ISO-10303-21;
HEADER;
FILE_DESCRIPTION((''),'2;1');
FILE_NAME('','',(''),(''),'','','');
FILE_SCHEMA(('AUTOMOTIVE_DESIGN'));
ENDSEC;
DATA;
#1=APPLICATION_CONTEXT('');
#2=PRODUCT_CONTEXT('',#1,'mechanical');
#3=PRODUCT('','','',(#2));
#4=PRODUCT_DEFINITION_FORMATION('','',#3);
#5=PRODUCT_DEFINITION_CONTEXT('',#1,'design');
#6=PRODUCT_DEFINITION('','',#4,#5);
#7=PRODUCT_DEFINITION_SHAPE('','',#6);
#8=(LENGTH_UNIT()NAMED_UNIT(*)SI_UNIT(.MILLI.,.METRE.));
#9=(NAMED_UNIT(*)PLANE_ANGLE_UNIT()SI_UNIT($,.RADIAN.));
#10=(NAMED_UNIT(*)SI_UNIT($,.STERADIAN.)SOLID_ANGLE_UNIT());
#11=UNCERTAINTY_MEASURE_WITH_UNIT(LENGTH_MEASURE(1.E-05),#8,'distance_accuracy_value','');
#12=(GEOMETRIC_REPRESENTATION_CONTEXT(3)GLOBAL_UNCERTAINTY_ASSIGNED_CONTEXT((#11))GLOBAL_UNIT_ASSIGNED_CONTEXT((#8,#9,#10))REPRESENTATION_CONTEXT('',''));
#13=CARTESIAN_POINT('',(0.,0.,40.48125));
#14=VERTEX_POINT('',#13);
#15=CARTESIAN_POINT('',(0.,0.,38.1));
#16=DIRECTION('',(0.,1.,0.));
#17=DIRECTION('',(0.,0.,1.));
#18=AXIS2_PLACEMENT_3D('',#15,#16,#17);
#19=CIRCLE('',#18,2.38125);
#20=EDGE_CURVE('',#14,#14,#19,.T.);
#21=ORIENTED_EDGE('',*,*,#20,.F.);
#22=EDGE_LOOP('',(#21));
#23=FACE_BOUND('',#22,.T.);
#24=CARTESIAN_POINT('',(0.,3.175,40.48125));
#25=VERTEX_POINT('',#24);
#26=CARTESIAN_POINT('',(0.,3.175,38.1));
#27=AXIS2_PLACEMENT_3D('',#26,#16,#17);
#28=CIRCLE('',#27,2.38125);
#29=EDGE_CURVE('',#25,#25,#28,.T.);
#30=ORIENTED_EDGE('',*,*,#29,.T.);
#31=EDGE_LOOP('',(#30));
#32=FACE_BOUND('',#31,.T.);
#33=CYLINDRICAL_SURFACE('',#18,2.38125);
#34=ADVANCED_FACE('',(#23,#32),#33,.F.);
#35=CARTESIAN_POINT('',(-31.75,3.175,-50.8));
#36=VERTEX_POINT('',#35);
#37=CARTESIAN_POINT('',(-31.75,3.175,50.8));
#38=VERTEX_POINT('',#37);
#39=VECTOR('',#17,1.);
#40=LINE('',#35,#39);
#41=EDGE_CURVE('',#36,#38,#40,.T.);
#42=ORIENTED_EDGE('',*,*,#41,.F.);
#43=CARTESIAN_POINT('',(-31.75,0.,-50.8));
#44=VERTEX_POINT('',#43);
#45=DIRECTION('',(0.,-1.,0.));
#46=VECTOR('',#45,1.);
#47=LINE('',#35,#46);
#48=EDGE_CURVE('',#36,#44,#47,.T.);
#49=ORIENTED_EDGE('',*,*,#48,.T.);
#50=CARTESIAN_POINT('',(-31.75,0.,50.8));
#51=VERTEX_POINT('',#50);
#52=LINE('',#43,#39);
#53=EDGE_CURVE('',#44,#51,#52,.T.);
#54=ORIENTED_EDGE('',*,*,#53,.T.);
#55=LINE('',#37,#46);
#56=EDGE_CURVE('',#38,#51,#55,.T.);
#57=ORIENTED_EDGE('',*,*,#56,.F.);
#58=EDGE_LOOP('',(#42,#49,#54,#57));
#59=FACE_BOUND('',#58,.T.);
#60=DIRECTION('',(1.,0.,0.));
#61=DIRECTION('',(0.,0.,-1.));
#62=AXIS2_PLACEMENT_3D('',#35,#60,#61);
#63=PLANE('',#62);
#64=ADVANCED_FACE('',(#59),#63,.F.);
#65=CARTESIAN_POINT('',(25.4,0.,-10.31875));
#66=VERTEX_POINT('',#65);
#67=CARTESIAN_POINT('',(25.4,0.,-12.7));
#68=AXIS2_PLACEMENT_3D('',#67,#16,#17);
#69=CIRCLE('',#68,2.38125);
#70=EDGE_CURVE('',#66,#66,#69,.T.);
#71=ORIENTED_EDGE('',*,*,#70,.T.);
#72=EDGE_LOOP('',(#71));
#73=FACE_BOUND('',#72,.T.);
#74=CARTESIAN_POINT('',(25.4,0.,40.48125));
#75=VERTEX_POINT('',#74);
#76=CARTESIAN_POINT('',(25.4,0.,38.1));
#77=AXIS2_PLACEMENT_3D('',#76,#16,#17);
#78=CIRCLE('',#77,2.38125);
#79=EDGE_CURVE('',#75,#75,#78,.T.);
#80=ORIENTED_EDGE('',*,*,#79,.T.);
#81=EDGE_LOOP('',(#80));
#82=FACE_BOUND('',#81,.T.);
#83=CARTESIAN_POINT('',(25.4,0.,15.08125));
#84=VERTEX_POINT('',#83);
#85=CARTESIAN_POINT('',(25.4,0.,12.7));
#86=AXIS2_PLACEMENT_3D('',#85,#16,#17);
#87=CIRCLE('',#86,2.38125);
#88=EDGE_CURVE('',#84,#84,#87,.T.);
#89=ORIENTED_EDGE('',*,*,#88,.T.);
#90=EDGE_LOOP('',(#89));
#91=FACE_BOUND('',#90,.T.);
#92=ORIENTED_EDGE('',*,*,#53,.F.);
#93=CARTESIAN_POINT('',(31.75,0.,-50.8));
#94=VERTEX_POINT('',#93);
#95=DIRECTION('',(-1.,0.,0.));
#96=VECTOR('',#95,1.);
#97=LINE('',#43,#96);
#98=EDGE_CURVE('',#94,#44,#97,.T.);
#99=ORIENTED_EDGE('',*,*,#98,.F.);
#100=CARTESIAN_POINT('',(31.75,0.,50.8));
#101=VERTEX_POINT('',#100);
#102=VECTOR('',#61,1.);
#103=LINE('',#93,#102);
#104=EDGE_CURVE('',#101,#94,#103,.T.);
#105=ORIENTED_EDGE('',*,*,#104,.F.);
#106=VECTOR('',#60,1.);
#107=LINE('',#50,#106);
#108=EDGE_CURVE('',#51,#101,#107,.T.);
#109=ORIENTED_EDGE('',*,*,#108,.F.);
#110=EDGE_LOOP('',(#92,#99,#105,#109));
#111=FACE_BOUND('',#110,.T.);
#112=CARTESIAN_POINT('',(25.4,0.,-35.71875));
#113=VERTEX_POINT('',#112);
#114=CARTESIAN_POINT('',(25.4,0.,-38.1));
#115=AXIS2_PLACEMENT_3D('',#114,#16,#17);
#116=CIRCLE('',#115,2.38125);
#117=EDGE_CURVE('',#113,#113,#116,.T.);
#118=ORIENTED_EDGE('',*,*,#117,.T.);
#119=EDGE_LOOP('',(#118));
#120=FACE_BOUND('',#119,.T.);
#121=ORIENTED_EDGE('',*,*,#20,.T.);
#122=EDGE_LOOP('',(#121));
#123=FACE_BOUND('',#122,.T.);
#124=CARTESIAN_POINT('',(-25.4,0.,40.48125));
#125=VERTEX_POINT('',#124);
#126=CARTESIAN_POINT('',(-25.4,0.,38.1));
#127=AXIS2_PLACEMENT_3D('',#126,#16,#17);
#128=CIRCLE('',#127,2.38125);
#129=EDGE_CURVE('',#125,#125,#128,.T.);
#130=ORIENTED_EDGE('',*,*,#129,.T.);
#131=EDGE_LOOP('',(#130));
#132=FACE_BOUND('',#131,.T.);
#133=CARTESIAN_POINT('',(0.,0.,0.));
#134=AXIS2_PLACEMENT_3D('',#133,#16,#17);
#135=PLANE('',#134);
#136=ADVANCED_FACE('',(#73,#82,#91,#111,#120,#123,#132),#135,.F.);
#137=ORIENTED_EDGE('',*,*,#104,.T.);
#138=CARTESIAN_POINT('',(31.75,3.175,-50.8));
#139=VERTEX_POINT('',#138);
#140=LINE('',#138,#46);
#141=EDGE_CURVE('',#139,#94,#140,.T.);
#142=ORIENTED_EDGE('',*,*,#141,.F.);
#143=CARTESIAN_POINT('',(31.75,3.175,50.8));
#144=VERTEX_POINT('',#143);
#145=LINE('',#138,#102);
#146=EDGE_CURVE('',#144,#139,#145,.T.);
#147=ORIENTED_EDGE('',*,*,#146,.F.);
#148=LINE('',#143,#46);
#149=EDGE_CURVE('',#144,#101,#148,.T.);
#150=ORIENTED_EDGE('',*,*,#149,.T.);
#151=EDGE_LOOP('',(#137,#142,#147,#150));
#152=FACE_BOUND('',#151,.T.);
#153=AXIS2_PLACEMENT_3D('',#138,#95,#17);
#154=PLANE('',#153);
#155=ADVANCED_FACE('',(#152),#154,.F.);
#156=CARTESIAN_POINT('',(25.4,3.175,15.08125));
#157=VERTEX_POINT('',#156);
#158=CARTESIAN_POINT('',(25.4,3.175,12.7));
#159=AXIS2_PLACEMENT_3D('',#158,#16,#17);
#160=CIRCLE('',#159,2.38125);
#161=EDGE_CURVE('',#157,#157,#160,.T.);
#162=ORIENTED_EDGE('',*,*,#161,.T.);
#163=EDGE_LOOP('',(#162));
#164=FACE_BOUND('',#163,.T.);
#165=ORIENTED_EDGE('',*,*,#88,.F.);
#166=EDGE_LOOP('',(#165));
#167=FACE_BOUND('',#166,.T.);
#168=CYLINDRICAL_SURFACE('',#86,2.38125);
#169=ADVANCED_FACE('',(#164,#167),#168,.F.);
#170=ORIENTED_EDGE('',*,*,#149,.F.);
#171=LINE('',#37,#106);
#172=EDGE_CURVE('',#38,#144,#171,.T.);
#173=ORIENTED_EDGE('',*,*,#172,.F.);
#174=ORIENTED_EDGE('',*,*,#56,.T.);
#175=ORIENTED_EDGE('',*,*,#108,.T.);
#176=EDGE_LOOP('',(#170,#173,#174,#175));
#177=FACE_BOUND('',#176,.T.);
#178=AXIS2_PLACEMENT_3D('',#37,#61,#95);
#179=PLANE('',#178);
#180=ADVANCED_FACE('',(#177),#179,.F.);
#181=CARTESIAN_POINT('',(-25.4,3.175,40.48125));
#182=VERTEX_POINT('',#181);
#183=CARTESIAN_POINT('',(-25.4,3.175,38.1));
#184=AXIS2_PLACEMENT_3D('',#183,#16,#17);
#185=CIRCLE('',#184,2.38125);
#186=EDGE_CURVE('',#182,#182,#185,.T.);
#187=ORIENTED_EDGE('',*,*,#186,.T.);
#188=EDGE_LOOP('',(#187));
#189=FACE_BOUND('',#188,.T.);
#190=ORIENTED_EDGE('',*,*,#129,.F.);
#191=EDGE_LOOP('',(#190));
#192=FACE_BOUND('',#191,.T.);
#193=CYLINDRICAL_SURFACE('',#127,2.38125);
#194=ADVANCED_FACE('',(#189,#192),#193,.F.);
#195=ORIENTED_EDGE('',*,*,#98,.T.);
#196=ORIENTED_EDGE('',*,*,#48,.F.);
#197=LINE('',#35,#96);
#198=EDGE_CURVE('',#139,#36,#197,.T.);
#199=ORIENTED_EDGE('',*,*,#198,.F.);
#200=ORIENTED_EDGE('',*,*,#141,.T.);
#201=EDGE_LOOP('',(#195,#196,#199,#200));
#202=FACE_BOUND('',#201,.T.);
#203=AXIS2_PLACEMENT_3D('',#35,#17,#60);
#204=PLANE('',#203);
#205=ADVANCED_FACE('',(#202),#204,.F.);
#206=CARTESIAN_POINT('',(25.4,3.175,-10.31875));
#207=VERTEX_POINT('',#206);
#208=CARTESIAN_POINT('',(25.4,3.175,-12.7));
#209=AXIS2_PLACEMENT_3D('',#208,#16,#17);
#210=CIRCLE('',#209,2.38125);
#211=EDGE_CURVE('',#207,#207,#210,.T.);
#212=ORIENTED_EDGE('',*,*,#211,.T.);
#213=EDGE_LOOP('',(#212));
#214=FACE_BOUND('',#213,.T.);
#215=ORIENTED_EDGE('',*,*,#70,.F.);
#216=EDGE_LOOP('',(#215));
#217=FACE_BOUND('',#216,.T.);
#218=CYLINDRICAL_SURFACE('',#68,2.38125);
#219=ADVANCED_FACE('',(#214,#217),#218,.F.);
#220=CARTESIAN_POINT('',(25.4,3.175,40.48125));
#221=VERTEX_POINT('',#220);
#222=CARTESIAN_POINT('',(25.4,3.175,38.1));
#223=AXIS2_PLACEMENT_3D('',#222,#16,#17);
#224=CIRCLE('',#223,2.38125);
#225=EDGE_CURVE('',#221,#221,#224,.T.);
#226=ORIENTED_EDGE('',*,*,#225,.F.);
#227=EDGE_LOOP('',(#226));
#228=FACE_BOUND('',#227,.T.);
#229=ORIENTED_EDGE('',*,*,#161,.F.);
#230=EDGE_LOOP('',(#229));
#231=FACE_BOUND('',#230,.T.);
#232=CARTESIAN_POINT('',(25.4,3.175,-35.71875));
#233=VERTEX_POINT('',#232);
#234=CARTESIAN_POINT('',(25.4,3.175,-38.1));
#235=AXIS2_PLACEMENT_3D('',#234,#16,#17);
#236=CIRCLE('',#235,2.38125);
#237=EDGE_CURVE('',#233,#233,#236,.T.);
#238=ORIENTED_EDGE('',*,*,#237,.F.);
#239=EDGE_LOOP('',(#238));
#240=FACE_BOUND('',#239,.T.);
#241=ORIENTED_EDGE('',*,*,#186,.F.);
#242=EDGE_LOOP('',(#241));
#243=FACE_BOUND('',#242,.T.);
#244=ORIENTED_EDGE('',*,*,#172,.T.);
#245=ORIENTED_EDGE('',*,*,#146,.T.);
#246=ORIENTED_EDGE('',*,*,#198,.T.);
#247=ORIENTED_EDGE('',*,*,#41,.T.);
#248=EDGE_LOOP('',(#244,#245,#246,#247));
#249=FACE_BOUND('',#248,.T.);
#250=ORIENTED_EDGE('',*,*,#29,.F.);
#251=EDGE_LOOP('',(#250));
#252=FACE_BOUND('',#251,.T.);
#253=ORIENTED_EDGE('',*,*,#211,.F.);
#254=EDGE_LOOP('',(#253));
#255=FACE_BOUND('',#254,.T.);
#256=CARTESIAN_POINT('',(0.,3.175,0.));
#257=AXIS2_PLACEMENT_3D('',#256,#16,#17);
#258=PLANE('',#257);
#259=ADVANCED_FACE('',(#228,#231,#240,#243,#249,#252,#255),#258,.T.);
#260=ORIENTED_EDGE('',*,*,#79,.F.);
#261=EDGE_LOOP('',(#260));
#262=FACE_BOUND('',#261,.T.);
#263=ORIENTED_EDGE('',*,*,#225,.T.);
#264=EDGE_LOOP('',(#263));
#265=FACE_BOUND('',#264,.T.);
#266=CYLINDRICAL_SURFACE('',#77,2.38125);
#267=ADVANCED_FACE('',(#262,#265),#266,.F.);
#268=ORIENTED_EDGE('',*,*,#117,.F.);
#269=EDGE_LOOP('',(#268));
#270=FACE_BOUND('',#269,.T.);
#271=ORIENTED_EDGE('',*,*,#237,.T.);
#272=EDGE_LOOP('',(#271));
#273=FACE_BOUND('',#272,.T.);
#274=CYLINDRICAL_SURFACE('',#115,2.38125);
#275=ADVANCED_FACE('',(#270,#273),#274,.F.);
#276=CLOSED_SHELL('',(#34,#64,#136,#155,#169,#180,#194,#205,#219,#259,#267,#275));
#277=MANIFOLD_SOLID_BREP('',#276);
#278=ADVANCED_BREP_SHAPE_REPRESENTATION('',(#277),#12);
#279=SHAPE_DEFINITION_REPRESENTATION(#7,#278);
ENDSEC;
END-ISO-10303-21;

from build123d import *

# Parameters (mm, degrees)
SKETCH1_W           = 63.5
SKETCH1_H           = 101.6
BOSS_EXTRUDE1_DEPTH = 3.175
SKETCH2_R           = 2.38125
CUT_EXTRUDE1_DEPTH  = 3.175


with BuildPart() as part:
    # Sketch1 → Boss-Extrude1 (new body)
    with BuildSketch(Plane(origin=(0, 0, 0), x_dir=(1, 0, 0), z_dir=(0, 1, 0))):
        Rectangle(SKETCH1_W, SKETCH1_H)
    extrude(amount=BOSS_EXTRUDE1_DEPTH)

    # Sketch2 → Cut-Extrude1 (cut)
    with BuildSketch(Plane(origin=(0, 3.175, 0), x_dir=(1, 0, 0), z_dir=(0, 1, 0))):
        with Locations(Location((25.4, -38.1, 0), (0, 0, 270))):
            Circle(SKETCH2_R)
        with Locations(Location((25.4, -12.7, 0), (0, 0, 270))):
            Circle(SKETCH2_R)
        with Locations(Location((25.4, 12.7, 0), (0, 0, 270))):
            Circle(SKETCH2_R)
        with Locations(Location((25.4, 38.1, 0), (0, 0, 270))):
            Circle(SKETCH2_R)
        with Locations(Location((0, -38.1, 0), (0, 0, 270))):
            Circle(SKETCH2_R)
        with Locations(Location((-25.4, -38.1, 0), (0, 0, 270))):
            Circle(SKETCH2_R)
        with Locations((-50.8, -38.1)):
            Circle(SKETCH2_R)
    extrude(amount=-CUT_EXTRUDE1_DEPTH, mode=Mode.SUBTRACT)


solid = part.part
